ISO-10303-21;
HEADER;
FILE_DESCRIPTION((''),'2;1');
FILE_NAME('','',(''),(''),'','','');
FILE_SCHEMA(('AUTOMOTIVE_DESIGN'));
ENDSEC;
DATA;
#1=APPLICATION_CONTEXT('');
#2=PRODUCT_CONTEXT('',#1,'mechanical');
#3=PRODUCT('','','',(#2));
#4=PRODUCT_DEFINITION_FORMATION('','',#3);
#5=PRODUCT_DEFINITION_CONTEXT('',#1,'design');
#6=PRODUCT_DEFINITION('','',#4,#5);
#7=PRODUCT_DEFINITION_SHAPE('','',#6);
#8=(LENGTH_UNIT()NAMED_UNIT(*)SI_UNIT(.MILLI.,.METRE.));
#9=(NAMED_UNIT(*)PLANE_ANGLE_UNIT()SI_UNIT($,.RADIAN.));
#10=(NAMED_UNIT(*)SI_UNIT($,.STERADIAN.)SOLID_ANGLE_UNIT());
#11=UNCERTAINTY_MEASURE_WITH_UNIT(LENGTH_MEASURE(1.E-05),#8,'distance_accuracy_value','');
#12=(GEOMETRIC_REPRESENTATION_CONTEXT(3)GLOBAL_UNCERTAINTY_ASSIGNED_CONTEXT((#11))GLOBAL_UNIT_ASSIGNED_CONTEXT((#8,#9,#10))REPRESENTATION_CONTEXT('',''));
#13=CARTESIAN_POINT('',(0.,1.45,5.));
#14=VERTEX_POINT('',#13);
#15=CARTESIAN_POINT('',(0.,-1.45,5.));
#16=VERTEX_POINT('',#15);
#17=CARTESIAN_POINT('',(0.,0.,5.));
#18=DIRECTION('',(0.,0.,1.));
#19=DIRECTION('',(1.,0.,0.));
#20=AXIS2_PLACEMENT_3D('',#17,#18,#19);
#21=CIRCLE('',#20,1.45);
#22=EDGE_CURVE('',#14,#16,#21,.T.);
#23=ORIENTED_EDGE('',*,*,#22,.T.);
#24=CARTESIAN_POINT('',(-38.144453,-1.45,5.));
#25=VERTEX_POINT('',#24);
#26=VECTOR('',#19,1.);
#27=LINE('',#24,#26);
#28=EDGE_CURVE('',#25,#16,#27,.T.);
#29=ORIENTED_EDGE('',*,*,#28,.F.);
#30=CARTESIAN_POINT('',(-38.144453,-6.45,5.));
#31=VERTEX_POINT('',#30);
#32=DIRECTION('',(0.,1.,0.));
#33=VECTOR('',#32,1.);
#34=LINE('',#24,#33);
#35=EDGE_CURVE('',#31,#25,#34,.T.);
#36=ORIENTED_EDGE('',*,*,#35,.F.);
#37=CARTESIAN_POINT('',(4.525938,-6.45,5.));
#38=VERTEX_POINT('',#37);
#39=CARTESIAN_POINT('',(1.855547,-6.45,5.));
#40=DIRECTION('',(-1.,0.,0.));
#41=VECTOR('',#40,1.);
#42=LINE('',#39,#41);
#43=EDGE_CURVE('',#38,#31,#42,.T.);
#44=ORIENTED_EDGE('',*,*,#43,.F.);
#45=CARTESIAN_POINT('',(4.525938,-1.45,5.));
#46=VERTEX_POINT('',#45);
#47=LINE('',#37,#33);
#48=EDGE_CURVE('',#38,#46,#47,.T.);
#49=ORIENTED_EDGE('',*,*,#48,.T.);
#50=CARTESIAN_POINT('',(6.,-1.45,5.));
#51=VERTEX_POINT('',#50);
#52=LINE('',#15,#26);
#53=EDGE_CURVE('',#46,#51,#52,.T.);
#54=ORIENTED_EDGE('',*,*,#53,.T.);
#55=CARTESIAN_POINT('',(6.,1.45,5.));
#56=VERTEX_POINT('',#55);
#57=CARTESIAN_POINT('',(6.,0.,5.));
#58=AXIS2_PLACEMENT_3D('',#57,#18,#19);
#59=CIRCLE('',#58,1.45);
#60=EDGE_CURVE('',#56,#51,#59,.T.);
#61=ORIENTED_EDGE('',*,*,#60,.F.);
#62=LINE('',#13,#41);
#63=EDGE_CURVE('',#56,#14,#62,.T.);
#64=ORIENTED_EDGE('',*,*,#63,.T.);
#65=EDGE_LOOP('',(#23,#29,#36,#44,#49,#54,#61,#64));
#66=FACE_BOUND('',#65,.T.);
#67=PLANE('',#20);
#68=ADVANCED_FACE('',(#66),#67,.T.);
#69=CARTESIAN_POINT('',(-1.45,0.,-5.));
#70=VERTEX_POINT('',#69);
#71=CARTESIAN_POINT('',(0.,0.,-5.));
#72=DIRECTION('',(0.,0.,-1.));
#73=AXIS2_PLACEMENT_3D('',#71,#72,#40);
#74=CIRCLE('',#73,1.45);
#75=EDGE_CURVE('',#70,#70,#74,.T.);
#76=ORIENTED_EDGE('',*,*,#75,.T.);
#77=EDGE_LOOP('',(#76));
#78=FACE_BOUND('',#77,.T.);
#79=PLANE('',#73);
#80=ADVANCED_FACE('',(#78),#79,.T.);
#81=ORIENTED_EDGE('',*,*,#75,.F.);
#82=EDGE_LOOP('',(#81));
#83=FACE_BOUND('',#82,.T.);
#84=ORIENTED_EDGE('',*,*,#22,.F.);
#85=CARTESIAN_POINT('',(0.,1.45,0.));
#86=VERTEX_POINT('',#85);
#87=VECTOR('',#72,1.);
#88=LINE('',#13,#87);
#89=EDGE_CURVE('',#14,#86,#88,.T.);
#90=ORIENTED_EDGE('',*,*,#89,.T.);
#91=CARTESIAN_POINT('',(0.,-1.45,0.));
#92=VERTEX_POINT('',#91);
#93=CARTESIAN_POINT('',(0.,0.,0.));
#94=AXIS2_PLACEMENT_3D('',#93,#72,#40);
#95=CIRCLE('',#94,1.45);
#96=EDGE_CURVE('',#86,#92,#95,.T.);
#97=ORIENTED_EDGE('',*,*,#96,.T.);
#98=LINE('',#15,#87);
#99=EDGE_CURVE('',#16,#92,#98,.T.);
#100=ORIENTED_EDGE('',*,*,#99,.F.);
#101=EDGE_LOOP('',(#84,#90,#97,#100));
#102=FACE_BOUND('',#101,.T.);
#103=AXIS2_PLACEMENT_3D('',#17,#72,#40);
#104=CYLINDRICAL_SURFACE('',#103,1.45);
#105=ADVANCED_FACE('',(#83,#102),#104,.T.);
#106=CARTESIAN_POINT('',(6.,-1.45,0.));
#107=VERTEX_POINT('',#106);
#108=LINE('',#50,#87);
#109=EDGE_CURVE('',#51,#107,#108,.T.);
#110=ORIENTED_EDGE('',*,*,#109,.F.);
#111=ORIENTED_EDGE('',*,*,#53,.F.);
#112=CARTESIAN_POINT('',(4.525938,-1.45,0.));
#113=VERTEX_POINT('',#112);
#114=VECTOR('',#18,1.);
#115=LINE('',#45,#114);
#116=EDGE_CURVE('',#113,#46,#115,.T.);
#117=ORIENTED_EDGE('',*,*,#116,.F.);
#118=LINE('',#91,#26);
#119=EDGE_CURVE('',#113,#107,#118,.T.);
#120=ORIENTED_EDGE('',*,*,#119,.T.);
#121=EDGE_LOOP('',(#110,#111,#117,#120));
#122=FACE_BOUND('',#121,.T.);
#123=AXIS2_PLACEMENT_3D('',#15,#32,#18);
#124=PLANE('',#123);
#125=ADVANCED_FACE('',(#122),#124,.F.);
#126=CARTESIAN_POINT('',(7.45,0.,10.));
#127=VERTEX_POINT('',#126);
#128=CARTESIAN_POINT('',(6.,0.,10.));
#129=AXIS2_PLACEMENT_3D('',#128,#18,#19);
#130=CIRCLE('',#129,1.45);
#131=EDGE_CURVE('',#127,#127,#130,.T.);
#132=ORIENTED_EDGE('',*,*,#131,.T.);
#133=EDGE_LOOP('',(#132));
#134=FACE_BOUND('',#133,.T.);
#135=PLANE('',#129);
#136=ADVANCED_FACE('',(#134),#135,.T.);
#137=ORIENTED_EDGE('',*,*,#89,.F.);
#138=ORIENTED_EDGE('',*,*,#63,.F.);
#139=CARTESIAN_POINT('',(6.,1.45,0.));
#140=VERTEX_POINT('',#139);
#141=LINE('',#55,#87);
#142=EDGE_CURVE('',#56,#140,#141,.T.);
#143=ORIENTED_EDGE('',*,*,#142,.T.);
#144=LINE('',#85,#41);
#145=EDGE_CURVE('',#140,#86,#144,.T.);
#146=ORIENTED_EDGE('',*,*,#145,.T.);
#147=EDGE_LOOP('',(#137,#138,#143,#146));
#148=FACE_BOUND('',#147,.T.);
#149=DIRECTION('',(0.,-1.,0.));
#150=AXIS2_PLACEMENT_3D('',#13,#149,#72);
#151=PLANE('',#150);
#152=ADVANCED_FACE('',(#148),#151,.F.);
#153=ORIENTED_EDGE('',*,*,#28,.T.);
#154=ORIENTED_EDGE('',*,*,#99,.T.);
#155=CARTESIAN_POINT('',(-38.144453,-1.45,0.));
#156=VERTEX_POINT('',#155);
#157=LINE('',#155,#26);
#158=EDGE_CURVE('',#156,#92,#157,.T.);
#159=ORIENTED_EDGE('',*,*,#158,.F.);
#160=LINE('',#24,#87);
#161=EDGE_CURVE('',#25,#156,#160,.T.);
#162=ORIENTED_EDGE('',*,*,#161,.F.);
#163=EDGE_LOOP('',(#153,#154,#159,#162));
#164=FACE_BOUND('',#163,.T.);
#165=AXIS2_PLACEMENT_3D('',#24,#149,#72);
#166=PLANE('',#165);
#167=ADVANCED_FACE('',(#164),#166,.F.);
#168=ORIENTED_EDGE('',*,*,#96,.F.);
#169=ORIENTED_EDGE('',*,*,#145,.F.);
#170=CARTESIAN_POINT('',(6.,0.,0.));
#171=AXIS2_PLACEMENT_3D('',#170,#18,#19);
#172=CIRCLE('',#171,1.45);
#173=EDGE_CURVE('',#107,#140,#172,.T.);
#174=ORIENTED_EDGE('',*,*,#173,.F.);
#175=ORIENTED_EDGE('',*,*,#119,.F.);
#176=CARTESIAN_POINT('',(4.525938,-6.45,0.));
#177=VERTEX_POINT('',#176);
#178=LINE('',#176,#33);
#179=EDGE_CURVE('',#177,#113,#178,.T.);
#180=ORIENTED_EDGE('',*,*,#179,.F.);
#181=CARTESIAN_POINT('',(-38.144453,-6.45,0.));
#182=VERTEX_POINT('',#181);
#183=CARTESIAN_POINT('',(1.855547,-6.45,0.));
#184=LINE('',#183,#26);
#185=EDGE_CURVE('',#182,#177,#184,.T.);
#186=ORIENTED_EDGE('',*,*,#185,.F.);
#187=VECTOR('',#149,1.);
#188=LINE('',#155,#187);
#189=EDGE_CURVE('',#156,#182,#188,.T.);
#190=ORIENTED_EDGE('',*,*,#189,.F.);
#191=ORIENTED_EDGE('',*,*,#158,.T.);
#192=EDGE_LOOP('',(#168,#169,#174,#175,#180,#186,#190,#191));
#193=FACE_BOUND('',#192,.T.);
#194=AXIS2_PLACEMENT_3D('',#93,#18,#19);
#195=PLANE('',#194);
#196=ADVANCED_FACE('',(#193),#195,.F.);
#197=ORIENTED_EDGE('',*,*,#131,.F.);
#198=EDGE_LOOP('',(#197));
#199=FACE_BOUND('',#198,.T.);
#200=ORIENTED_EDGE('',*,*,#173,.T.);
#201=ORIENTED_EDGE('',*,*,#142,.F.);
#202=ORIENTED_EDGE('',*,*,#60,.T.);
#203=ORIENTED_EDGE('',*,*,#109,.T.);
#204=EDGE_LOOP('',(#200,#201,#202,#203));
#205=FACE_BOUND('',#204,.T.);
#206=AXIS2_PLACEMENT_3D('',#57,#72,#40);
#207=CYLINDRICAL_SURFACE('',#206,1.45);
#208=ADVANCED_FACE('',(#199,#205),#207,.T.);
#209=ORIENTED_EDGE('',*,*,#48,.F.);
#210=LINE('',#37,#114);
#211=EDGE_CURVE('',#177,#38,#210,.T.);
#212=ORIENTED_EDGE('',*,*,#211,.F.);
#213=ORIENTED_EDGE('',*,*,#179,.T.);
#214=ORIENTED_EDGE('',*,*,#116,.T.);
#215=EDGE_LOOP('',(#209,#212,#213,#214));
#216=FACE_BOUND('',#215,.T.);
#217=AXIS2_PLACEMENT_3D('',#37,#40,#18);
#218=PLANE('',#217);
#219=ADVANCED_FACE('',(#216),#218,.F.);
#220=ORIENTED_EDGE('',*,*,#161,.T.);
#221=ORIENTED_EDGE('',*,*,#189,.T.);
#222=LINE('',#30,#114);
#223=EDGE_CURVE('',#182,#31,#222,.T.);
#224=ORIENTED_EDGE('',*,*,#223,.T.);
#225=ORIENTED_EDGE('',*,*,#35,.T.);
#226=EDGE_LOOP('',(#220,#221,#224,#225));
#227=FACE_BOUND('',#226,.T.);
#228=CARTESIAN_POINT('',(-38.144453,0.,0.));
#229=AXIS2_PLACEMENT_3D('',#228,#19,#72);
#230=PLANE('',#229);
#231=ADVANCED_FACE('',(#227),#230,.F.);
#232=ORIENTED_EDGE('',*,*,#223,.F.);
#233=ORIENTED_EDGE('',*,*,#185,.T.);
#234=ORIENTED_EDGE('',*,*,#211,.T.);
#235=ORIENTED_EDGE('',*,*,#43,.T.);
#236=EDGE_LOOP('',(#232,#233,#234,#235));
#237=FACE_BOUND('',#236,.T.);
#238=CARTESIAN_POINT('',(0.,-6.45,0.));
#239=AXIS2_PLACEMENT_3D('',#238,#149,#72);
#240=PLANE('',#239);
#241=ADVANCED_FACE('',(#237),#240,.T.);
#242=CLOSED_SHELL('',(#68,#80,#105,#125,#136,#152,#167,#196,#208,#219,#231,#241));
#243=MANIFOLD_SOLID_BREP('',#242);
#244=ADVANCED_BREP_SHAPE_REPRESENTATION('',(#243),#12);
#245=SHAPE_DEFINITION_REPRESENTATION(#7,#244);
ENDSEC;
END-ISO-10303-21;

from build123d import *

# Parameters (mm, degrees)
EXTRUDE_1_DEPTH = 5
SKETCH_2_R      = 1.45
EXTRUDE_2_DEPTH = 5
SKETCH_3_R      = 1.45
EXTRUDE_3_DEPTH = 5
SKETCH_4_W      = 2.670391159
SKETCH_4_H      = 5
EXTRUDE_4_DEPTH = 5
SKETCH_5_W      = 5
SKETCH_5_H      = 5
EXTRUDE_5_DEPTH = 40


with BuildPart() as part:
    # 草图1 → 凸台-拉伸1 (new body)
    with BuildSketch(Plane.XY):
        with BuildLine():
            Line((0, 1.45), (6, 1.45))
            ThreePointArc((6, 1.45), (7.45, 0), (6, -1.45))
            Line((6, -1.45), (0, -1.45))
            ThreePointArc((0, -1.45), (-1.45, 0), (0, 1.45))
        make_face()
    extrude(amount=EXTRUDE_1_DEPTH)

    # 草图2 → 凸台-拉伸2 (add)
    with BuildSketch(Plane.XY.offset(5)):
        with Locations(Location((6, 0, 0), (0, 0, 90))):
            Circle(SKETCH_2_R)
    extrude(amount=EXTRUDE_2_DEPTH)

    # 草图3 → 凸台-拉伸3 (add)
    with BuildSketch(Plane(origin=(0, 0, 0), x_dir=(-1, 0, 0), z_dir=(0, 0, -1))):
        Circle(SKETCH_3_R)
    extrude(amount=EXTRUDE_3_DEPTH)

    # 草图4 → 凸台-拉伸4 (add)
    with BuildSketch(Plane.XZ.offset(1.45)):
        with Locations((3.190742226, 2.5)):
            Rectangle(SKETCH_4_W, SKETCH_4_H)
    extrude(amount=EXTRUDE_4_DEPTH)

    # 草图5 → 凸台-拉伸5 (add)
    with BuildSketch(Plane.ZY.offset(-1.855546646)):
        with Locations((2.5, -3.95)):
            Rectangle(SKETCH_5_W, SKETCH_5_H)
    extrude(amount=EXTRUDE_5_DEPTH)


solid = part.part
